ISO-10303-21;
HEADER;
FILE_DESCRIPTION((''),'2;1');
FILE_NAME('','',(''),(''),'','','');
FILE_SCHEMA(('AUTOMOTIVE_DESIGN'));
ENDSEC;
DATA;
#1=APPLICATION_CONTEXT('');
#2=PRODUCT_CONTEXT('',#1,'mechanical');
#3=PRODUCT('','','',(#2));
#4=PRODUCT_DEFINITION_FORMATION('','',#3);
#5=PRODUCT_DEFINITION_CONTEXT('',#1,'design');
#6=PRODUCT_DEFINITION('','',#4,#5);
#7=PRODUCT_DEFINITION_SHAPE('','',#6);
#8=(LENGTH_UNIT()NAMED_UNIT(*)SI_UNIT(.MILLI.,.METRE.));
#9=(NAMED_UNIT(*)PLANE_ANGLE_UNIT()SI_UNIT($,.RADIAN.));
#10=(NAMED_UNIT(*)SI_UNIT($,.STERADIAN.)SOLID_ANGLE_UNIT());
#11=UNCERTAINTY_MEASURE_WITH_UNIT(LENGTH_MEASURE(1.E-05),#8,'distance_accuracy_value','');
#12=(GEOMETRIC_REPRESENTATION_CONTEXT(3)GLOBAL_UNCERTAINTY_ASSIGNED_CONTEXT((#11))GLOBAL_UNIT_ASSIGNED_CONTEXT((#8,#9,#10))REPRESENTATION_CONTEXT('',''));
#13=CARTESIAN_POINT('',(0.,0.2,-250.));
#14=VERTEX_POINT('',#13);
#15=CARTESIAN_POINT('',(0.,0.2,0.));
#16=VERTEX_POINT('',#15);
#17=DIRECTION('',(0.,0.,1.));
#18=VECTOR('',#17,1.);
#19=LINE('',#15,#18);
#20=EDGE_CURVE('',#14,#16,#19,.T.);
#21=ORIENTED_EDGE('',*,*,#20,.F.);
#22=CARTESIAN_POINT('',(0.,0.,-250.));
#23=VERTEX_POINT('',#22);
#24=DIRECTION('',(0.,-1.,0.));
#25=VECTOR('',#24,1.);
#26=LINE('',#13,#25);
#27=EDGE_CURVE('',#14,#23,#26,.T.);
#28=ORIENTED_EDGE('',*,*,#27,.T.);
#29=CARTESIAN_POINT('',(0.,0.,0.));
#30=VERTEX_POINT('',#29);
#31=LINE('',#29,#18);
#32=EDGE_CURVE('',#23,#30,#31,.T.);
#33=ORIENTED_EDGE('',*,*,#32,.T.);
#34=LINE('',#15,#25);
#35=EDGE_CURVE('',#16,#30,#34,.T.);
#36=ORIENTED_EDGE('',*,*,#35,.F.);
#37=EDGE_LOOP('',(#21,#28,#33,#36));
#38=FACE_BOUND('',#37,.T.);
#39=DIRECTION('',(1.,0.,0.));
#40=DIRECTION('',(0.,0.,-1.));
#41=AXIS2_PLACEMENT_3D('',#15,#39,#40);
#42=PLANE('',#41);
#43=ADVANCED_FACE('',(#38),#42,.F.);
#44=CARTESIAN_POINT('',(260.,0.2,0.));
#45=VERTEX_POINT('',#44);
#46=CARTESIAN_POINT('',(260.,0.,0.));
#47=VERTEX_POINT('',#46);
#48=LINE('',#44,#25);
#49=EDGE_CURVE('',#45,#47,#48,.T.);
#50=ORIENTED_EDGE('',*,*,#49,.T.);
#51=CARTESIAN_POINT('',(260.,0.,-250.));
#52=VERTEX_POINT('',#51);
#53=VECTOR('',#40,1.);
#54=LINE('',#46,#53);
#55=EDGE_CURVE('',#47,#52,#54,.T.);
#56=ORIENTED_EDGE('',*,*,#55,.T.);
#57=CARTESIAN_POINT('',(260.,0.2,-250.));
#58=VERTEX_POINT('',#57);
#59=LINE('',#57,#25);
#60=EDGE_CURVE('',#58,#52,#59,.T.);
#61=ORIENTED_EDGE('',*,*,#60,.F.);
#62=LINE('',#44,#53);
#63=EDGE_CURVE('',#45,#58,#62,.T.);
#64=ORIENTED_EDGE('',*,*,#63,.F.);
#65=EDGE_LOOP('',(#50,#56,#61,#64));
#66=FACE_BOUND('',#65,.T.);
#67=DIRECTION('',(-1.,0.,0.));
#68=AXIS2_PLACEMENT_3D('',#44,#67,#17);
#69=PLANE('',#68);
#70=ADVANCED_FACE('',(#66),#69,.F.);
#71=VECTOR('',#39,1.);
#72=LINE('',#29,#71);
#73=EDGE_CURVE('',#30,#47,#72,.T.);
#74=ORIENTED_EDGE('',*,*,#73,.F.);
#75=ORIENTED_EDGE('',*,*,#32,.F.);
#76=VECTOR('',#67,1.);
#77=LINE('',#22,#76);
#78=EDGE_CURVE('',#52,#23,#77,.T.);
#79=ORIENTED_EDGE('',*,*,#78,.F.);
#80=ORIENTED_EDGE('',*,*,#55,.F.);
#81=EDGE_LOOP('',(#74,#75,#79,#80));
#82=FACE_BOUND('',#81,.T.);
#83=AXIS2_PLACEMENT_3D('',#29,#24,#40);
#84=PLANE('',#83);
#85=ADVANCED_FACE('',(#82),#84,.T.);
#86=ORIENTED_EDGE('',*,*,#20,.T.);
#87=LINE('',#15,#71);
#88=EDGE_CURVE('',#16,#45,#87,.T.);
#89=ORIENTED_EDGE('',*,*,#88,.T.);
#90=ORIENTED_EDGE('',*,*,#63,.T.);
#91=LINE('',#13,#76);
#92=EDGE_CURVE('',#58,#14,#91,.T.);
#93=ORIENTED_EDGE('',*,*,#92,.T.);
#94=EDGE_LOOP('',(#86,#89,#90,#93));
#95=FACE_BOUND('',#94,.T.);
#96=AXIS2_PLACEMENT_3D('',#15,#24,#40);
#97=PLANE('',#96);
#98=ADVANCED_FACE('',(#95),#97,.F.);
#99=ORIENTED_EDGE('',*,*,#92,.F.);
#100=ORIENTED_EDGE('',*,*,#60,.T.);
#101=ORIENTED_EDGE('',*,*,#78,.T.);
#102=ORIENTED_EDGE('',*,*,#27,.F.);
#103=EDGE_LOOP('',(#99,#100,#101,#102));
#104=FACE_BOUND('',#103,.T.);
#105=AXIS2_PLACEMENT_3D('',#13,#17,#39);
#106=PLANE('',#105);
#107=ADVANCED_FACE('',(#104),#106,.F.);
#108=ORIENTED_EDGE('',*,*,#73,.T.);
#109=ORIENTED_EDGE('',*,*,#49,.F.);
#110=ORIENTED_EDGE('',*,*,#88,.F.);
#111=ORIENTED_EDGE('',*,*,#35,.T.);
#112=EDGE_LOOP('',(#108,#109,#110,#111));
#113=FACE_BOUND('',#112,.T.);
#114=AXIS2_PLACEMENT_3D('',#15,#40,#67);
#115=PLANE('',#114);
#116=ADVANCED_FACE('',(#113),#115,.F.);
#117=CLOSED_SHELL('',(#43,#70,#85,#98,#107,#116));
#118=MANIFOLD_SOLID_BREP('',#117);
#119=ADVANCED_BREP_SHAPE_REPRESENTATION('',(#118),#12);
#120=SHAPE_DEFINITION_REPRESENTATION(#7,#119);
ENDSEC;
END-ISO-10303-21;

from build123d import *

# Parameters (mm, degrees)
SKETCH_1_W      = 260
SKETCH_1_H      = 250
EXTRUDE_1_DEPTH = 0.2


with BuildPart() as part:
    # 草图1 → 凸台-拉伸1 (new body)
    with BuildSketch(Plane(origin=(0, 0, 0), x_dir=(1, 0, 0), z_dir=(0, 1, 0))):
        with Locations((130, 125)):
            Rectangle(SKETCH_1_W, SKETCH_1_H)
    extrude(amount=EXTRUDE_1_DEPTH)


solid = part.part
